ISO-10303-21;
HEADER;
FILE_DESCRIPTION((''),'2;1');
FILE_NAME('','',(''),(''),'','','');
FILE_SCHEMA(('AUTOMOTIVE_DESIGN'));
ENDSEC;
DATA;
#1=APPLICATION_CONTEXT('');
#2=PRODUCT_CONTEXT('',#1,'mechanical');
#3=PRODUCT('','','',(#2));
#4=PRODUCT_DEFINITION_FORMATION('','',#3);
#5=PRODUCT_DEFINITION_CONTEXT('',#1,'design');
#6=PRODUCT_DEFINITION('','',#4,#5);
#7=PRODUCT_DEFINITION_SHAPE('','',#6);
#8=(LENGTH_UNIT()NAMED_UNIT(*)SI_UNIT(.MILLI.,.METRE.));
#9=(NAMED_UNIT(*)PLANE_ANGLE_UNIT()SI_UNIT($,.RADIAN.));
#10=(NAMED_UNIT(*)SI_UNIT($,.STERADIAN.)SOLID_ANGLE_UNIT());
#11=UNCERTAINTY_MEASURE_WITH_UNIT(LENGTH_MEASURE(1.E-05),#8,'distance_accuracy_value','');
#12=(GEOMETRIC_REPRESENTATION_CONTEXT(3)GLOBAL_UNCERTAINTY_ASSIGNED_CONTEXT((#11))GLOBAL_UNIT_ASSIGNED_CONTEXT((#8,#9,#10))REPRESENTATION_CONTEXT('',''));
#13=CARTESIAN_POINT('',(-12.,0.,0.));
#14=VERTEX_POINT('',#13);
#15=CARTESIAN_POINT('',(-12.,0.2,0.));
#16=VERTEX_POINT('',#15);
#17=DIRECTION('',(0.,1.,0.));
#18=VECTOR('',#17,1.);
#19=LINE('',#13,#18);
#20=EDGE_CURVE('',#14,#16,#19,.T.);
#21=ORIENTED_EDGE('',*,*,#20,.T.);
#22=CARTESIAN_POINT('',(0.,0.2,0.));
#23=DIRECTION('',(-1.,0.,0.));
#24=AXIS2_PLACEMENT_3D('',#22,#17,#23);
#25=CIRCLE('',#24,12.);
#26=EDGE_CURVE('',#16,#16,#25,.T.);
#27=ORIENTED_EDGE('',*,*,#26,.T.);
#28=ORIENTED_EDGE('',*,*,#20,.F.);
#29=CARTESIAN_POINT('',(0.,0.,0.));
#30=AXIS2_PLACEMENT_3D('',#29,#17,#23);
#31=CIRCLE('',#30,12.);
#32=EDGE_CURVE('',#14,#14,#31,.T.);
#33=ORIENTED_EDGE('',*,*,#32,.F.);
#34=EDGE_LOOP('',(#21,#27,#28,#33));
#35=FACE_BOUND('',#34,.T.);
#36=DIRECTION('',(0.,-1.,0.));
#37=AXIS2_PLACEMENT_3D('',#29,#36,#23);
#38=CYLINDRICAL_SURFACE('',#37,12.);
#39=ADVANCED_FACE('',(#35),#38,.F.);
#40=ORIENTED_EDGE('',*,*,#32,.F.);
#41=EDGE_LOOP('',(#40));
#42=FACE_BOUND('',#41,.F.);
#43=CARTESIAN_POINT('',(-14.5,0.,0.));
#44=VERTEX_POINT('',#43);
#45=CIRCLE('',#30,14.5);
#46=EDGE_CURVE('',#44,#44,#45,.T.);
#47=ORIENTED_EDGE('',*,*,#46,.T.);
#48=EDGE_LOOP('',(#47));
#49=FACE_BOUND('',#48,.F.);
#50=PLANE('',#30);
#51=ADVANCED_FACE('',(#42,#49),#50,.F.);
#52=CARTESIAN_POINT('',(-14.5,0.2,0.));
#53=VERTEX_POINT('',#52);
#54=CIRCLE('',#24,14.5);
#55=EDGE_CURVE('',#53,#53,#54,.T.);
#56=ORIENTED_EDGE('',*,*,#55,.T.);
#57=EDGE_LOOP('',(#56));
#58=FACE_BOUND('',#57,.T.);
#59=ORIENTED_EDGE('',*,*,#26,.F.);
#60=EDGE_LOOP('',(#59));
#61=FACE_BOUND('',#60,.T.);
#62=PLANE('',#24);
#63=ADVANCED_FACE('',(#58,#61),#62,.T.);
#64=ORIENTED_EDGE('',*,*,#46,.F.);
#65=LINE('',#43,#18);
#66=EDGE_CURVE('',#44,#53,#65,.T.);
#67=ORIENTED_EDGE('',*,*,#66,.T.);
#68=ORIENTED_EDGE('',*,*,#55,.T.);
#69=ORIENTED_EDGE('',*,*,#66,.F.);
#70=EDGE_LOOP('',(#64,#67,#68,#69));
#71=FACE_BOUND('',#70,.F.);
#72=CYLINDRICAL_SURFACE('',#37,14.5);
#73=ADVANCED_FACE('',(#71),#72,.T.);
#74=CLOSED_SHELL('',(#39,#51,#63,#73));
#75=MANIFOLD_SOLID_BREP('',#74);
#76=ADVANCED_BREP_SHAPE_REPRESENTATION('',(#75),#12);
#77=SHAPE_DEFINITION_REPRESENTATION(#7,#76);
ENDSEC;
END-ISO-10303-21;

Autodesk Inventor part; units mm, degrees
ref_plane "YZ Plane" through (0, 0, 0) normal (1, 0, 0) x (0, 1, 0)
ref_plane "XZ Plane" through (0, 0, 0) normal (0, 1, 0) x (-1, 0, 0)
ref_plane "XY Plane" through (0, 0, 0) normal (0, 0, 1) x (1, 0, 0)
sketch "Skizze1" plane through (0, 0, 0) normal (0, 1, 0) x (-1, 0, 0)
  circle A0 centre (0, 0) radius 14.5
  circle A1 centre (0, 0) radius 12
  dimension "d0" = 29
  dimension "d1" = 24
extrude "Extrusion1" add sketch "Skizze1" along normal blind 0.2
properties part number "zylinderkopfdichtung"
